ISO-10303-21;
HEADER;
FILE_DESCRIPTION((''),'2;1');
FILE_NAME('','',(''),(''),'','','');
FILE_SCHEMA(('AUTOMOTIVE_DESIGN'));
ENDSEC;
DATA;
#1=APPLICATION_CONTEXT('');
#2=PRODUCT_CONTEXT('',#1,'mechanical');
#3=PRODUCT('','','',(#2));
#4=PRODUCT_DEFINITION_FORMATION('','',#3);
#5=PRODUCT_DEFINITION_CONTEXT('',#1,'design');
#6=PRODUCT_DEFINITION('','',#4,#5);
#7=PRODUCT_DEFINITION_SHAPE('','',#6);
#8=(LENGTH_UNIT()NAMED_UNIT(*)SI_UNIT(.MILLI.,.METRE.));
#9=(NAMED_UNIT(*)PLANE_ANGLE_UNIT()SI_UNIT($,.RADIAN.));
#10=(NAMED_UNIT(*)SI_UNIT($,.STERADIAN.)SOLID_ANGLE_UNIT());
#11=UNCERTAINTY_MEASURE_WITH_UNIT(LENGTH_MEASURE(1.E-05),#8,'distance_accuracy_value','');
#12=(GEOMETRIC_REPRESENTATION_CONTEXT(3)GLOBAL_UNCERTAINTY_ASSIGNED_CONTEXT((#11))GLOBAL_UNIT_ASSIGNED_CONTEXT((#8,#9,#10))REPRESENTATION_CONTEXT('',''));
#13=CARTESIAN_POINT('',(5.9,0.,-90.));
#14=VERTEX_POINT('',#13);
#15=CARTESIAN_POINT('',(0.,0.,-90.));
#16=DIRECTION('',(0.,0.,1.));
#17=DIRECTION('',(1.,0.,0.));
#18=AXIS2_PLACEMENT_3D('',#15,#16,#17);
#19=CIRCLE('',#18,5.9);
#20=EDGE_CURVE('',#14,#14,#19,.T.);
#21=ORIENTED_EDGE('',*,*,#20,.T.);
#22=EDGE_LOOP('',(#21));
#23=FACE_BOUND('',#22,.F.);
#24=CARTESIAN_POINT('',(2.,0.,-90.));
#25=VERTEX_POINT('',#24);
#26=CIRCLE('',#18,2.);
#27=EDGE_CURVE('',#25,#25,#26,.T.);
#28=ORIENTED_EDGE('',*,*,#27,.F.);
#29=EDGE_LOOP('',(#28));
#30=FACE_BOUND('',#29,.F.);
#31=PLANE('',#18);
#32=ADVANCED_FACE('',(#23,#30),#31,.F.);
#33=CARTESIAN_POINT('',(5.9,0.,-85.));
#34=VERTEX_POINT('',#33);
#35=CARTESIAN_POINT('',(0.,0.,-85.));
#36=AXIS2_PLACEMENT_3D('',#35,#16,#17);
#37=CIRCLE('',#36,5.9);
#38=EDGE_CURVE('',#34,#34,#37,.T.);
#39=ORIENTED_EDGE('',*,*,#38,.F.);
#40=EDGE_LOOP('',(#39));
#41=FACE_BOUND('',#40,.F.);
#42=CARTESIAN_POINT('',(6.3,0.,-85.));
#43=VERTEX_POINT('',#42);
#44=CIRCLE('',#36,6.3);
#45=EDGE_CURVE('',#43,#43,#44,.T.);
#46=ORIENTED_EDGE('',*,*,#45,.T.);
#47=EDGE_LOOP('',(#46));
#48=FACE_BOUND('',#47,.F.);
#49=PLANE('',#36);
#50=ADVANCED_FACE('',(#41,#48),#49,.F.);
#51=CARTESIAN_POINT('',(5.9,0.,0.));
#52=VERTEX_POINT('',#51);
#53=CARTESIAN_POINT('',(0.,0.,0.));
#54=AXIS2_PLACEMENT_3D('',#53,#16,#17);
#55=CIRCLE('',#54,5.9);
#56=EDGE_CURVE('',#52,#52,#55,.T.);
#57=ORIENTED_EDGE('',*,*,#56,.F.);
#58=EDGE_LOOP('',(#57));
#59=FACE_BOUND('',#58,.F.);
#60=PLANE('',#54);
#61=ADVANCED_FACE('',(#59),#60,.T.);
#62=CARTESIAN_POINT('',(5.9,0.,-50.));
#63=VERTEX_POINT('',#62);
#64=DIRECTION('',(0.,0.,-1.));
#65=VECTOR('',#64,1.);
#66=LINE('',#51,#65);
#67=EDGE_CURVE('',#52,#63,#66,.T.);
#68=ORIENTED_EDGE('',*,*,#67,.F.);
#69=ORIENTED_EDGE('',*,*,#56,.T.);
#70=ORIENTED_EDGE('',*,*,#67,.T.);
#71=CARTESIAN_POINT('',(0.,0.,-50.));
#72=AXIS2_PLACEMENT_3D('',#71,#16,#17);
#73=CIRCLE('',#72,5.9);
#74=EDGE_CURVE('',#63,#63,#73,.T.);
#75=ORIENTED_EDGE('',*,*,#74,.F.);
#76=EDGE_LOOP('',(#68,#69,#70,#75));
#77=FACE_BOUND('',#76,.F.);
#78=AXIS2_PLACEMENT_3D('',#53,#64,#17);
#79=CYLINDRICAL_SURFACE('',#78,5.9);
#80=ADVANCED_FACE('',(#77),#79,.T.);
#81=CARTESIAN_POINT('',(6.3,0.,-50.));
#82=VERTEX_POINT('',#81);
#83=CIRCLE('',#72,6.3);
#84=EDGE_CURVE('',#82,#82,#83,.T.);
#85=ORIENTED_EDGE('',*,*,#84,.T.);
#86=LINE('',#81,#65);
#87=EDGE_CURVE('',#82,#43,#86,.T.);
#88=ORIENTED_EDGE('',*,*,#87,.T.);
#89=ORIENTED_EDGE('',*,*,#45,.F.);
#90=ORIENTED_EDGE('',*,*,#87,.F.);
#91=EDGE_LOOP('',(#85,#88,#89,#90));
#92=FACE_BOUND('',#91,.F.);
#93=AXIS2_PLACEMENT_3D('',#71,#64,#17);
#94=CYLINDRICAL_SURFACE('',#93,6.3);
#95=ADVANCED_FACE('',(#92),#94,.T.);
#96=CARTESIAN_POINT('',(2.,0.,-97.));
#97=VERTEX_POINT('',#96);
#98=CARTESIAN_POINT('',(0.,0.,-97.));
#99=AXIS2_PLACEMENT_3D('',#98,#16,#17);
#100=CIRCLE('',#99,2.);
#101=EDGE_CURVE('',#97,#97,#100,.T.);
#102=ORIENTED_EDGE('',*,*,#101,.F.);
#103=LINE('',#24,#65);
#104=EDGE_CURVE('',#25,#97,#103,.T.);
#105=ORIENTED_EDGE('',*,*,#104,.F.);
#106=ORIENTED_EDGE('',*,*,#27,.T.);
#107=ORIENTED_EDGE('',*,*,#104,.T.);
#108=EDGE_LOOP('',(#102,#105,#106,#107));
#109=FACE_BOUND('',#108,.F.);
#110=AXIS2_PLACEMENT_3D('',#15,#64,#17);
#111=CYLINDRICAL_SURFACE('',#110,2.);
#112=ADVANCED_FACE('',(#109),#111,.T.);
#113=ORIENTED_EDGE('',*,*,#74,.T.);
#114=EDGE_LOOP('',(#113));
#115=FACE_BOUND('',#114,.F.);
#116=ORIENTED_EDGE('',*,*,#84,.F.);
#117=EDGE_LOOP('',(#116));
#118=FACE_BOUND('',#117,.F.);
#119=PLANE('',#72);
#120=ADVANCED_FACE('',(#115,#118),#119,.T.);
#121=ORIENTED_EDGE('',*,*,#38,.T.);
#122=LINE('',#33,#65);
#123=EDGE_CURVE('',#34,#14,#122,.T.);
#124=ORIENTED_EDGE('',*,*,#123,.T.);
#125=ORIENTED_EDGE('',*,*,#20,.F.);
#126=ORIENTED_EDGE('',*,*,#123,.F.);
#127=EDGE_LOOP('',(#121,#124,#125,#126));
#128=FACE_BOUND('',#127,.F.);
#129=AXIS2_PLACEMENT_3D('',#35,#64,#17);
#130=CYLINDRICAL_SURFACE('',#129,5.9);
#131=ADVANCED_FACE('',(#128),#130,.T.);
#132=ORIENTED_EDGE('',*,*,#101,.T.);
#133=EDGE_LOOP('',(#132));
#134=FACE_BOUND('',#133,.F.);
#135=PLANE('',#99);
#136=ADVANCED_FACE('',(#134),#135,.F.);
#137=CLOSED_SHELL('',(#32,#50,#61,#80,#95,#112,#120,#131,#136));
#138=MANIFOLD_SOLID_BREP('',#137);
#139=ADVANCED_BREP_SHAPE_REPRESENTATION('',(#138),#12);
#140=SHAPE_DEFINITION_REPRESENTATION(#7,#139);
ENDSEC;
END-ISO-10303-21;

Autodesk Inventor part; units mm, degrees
ref_plane "YZ Plane" through (0, 0, 0) normal (1, 0, 0) x (0, 1, 0)
ref_plane "XZ Plane" through (0, 0, 0) normal (0, 1, 0) x (-1, 0, 0)
ref_plane "XY Plane" through (0, 0, 0) normal (0, 0, 1) x (1, 0, 0)
sketch "Sketch1" plane through (0, 0, 0) normal (0, 1, 0) x (-1, 0, 0)
  line L0 (0, 0) -> (-5.9, 0)
  line L1 (-5.9, 0) -> (-5.9, -50)
  line L2 (-5.9, -50) -> (-6.3, -50)
  line L3 (-6.3, -50) -> (-6.3, -85)
  line L4 (-6.3, -85) -> (-5.9, -85)
  line L5 (-5.9, -85) -> (-5.9, -90)
  line L6 (-5.9, -90) -> (-2, -90)
  line L7 (-2, -90) -> (-2, -97)
  line L8 (-2, -97) -> (0, -97)
  line L9 (0, -97) -> (0, 0)
  dimension "d1" = 5.9
  dimension "d2" = 50
  dimension "d3" = 7
  dimension "d4" = 5
  dimension "d5" = 35
  dimension "d7" = 6.3
  dimension "d8" = 2
revolve "Revolution1" add sketch "Sketch1" angle 360 about axis through (0, 0, -97) along (0, 0, 1)
thread "Thread1" size "M4x0.7" class "6g" standard "ANSI Metric M Profile" full length
properties part number "holdingRod"
